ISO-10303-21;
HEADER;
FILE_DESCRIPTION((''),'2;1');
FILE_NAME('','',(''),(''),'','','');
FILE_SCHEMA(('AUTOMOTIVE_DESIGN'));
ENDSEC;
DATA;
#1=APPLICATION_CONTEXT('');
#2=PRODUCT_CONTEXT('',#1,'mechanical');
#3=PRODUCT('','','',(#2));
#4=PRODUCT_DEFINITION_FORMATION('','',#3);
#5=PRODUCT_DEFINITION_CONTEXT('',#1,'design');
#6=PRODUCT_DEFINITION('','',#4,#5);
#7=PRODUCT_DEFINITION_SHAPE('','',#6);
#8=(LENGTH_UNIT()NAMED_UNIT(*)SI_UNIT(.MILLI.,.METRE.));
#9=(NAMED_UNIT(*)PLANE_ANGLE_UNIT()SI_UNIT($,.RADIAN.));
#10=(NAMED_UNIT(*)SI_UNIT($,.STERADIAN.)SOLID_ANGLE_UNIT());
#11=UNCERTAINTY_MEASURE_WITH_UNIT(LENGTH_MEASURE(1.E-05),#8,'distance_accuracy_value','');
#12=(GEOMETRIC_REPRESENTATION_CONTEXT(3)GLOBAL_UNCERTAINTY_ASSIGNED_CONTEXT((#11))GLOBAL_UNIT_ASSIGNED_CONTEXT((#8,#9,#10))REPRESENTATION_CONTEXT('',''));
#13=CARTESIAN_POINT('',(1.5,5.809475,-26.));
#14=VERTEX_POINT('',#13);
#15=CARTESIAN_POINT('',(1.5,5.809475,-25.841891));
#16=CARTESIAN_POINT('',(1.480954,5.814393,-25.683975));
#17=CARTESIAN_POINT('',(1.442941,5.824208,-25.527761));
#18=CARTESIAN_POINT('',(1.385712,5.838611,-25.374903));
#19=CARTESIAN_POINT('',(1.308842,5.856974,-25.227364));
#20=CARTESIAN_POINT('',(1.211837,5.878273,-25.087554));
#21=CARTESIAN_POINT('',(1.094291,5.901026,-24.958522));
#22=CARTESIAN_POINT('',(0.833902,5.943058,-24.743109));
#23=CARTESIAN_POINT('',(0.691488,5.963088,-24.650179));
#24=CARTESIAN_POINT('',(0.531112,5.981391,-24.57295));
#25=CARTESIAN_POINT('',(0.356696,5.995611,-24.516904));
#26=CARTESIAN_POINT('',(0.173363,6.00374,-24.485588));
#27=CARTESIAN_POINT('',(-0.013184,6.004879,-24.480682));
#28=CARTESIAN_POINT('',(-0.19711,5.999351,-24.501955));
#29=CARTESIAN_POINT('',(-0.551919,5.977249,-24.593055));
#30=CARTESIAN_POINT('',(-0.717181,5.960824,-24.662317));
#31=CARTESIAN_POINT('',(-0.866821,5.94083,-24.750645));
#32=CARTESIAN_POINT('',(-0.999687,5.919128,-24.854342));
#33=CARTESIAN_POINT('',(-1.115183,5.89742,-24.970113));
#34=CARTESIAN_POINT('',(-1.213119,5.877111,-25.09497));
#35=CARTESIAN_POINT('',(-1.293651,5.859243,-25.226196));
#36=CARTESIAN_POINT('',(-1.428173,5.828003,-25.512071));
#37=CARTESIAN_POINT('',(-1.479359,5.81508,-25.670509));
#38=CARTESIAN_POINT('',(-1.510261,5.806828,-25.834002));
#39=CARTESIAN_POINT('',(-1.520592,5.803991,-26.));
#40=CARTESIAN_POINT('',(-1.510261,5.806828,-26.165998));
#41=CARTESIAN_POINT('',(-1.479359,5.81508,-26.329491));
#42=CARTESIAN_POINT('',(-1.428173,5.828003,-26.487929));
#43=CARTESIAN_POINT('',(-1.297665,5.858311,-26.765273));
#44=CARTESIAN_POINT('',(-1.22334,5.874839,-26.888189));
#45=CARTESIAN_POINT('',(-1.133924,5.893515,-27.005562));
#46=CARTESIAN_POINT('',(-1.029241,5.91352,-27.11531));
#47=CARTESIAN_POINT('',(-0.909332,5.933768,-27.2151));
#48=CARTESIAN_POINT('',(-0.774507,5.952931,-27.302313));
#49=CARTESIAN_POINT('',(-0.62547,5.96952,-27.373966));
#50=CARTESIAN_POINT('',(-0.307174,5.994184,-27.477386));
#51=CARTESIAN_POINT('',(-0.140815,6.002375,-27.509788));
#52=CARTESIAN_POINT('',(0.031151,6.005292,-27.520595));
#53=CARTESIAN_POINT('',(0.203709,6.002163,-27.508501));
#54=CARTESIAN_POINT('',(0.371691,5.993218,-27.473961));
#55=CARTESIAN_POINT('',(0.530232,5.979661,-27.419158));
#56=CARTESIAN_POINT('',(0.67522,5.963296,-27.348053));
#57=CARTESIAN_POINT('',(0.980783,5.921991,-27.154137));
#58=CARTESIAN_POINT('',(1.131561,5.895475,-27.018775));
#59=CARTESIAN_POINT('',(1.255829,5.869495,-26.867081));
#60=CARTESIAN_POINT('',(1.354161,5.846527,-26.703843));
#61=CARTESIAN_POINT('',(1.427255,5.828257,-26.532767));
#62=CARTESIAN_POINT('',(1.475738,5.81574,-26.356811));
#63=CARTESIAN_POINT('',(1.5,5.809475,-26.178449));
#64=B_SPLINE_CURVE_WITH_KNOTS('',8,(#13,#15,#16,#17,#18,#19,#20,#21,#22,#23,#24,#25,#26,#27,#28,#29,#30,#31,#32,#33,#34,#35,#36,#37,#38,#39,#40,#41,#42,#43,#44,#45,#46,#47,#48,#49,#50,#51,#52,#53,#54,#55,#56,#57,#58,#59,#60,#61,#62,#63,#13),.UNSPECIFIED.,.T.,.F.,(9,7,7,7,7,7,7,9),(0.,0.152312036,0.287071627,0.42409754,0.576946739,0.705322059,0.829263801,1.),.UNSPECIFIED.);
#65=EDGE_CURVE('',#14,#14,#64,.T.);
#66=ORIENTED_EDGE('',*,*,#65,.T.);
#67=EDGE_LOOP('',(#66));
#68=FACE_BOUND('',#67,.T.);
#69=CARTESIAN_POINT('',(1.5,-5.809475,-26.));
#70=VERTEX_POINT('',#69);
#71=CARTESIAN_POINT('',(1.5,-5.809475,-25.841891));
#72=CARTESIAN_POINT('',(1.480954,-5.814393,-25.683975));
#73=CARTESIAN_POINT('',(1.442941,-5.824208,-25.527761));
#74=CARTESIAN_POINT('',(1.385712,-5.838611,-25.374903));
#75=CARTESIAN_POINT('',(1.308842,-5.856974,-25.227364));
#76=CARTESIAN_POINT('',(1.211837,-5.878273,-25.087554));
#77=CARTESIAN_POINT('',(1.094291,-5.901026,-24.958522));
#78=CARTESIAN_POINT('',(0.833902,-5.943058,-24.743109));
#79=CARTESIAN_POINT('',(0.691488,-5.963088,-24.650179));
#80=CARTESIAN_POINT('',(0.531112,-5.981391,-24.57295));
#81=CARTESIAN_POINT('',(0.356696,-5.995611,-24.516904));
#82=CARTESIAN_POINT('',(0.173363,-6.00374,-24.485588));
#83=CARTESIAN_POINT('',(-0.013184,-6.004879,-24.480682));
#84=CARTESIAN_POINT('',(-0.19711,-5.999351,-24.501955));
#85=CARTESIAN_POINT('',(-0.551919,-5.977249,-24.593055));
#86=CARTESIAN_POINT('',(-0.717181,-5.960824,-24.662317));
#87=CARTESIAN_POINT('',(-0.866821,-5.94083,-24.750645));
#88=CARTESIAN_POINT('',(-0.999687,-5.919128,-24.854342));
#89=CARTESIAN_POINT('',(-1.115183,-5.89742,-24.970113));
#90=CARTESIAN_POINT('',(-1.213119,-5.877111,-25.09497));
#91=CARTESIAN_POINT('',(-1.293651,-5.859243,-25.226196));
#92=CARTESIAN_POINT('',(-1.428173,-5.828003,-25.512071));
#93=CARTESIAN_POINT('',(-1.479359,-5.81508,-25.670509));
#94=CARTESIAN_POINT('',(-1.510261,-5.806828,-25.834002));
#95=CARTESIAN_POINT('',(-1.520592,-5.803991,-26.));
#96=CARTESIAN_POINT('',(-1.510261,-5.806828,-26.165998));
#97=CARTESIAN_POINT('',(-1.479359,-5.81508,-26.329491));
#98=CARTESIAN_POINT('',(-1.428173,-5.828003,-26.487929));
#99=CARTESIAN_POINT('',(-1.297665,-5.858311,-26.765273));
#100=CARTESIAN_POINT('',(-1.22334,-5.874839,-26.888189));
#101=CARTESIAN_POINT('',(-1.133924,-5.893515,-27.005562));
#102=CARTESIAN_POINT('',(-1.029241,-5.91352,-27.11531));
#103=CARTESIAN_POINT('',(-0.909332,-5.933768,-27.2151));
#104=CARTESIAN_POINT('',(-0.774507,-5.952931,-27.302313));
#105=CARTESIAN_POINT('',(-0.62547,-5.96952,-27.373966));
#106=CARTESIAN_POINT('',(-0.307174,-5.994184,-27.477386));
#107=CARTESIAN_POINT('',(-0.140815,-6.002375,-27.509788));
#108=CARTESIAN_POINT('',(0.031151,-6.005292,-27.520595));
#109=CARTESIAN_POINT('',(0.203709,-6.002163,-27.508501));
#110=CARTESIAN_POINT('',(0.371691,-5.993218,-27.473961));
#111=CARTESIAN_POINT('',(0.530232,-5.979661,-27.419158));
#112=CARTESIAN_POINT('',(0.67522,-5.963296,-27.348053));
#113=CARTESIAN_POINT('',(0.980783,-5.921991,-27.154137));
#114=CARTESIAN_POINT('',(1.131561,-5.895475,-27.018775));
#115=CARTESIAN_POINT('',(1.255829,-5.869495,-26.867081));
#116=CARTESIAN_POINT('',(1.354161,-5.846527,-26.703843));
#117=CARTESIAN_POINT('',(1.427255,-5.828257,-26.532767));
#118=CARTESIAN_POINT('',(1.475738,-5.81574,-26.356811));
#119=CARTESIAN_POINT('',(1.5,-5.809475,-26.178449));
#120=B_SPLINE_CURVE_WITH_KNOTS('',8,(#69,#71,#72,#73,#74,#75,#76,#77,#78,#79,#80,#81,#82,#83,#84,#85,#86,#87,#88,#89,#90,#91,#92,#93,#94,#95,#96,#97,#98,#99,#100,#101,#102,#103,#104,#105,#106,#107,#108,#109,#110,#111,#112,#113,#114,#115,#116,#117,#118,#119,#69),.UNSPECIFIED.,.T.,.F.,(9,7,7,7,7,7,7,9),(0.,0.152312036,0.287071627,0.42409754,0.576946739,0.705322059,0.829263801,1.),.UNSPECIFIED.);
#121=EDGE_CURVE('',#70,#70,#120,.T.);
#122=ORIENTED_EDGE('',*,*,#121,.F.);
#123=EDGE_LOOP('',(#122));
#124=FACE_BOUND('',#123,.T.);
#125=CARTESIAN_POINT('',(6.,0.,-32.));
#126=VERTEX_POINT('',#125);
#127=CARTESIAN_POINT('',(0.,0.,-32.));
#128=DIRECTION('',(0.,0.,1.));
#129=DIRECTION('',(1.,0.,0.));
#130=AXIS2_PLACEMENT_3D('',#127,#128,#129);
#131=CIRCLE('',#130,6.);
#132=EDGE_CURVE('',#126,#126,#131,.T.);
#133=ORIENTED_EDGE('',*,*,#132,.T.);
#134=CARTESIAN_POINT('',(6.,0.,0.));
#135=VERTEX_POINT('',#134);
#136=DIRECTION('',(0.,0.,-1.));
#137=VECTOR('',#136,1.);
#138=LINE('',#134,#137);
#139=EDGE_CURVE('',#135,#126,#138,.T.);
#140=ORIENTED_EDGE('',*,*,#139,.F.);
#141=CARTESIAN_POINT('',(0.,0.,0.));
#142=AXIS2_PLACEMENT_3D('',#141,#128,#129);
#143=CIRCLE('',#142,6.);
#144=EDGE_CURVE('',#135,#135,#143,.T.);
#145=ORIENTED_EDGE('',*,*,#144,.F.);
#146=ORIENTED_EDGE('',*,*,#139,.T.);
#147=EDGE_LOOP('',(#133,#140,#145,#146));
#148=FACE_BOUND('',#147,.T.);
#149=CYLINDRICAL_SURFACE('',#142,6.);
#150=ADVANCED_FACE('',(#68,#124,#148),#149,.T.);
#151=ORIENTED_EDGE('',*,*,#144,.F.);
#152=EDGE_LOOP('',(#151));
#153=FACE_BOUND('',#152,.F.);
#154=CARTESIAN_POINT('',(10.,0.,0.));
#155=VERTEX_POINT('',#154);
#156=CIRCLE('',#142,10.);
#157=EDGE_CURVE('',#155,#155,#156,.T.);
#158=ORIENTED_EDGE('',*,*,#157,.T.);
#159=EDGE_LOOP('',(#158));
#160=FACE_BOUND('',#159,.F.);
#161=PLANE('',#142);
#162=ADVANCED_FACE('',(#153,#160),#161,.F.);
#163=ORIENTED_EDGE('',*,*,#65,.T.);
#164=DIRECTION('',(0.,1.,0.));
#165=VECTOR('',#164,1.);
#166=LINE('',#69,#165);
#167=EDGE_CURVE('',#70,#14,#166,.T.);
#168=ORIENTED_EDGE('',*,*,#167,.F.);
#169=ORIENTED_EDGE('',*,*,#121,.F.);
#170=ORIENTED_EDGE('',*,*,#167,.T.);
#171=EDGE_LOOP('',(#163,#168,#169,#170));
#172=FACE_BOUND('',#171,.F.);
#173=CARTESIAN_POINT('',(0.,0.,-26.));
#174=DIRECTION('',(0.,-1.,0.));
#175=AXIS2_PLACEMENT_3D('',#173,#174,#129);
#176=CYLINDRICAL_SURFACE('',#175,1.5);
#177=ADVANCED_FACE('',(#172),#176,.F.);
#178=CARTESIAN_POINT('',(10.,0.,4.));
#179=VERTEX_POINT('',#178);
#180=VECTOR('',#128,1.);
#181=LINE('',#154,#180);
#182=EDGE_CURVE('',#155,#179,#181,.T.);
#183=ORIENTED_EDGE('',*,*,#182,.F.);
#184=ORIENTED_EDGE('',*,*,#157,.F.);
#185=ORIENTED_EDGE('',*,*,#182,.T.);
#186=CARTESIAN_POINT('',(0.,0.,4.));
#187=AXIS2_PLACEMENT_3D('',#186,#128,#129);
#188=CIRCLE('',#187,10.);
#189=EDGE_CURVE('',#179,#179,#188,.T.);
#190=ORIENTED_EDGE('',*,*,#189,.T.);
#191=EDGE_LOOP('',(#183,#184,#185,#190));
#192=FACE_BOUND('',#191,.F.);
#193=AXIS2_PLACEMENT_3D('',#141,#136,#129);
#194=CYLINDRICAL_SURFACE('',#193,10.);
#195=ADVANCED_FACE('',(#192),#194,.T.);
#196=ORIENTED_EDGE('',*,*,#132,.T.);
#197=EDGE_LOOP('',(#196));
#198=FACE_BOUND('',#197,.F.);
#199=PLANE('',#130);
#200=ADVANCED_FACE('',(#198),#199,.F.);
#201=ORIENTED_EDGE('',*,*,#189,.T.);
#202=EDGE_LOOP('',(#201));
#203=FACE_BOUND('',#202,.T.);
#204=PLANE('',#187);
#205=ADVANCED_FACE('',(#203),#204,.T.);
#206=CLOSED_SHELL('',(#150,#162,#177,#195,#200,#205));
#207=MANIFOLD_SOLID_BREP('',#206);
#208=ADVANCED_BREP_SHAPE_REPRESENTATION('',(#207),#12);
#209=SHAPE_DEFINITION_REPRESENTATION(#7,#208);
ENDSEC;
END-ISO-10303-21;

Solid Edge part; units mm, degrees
sketch "Sketch1" plane through (0, 0, 0) normal (0, 0, 1) x (1, 0, 0)
  circle A0 centre (0, 0) radius 10
extrude "Protrusion1" add sketch "Sketch1" along normal blind 4
sketch "Sketch2" plane through (0, 0, 0) normal (0, 0, 1) x (1, 0, 0)
  circle A0 centre (0, 0) radius 6
extrude "ExtrudedProtrusion_2" add sketch "Sketch2" against normal blind 32
sketch "Sketch3" plane through (0, 0, 0) normal (0, -1, 0) x (1, 0, 0)
  circle A0 centre (0, -26) radius 1.5
extrude "ExtrudedCutout_1" cut sketch "Sketch3" along normal mid plane 639.6165
properties part number "8"
